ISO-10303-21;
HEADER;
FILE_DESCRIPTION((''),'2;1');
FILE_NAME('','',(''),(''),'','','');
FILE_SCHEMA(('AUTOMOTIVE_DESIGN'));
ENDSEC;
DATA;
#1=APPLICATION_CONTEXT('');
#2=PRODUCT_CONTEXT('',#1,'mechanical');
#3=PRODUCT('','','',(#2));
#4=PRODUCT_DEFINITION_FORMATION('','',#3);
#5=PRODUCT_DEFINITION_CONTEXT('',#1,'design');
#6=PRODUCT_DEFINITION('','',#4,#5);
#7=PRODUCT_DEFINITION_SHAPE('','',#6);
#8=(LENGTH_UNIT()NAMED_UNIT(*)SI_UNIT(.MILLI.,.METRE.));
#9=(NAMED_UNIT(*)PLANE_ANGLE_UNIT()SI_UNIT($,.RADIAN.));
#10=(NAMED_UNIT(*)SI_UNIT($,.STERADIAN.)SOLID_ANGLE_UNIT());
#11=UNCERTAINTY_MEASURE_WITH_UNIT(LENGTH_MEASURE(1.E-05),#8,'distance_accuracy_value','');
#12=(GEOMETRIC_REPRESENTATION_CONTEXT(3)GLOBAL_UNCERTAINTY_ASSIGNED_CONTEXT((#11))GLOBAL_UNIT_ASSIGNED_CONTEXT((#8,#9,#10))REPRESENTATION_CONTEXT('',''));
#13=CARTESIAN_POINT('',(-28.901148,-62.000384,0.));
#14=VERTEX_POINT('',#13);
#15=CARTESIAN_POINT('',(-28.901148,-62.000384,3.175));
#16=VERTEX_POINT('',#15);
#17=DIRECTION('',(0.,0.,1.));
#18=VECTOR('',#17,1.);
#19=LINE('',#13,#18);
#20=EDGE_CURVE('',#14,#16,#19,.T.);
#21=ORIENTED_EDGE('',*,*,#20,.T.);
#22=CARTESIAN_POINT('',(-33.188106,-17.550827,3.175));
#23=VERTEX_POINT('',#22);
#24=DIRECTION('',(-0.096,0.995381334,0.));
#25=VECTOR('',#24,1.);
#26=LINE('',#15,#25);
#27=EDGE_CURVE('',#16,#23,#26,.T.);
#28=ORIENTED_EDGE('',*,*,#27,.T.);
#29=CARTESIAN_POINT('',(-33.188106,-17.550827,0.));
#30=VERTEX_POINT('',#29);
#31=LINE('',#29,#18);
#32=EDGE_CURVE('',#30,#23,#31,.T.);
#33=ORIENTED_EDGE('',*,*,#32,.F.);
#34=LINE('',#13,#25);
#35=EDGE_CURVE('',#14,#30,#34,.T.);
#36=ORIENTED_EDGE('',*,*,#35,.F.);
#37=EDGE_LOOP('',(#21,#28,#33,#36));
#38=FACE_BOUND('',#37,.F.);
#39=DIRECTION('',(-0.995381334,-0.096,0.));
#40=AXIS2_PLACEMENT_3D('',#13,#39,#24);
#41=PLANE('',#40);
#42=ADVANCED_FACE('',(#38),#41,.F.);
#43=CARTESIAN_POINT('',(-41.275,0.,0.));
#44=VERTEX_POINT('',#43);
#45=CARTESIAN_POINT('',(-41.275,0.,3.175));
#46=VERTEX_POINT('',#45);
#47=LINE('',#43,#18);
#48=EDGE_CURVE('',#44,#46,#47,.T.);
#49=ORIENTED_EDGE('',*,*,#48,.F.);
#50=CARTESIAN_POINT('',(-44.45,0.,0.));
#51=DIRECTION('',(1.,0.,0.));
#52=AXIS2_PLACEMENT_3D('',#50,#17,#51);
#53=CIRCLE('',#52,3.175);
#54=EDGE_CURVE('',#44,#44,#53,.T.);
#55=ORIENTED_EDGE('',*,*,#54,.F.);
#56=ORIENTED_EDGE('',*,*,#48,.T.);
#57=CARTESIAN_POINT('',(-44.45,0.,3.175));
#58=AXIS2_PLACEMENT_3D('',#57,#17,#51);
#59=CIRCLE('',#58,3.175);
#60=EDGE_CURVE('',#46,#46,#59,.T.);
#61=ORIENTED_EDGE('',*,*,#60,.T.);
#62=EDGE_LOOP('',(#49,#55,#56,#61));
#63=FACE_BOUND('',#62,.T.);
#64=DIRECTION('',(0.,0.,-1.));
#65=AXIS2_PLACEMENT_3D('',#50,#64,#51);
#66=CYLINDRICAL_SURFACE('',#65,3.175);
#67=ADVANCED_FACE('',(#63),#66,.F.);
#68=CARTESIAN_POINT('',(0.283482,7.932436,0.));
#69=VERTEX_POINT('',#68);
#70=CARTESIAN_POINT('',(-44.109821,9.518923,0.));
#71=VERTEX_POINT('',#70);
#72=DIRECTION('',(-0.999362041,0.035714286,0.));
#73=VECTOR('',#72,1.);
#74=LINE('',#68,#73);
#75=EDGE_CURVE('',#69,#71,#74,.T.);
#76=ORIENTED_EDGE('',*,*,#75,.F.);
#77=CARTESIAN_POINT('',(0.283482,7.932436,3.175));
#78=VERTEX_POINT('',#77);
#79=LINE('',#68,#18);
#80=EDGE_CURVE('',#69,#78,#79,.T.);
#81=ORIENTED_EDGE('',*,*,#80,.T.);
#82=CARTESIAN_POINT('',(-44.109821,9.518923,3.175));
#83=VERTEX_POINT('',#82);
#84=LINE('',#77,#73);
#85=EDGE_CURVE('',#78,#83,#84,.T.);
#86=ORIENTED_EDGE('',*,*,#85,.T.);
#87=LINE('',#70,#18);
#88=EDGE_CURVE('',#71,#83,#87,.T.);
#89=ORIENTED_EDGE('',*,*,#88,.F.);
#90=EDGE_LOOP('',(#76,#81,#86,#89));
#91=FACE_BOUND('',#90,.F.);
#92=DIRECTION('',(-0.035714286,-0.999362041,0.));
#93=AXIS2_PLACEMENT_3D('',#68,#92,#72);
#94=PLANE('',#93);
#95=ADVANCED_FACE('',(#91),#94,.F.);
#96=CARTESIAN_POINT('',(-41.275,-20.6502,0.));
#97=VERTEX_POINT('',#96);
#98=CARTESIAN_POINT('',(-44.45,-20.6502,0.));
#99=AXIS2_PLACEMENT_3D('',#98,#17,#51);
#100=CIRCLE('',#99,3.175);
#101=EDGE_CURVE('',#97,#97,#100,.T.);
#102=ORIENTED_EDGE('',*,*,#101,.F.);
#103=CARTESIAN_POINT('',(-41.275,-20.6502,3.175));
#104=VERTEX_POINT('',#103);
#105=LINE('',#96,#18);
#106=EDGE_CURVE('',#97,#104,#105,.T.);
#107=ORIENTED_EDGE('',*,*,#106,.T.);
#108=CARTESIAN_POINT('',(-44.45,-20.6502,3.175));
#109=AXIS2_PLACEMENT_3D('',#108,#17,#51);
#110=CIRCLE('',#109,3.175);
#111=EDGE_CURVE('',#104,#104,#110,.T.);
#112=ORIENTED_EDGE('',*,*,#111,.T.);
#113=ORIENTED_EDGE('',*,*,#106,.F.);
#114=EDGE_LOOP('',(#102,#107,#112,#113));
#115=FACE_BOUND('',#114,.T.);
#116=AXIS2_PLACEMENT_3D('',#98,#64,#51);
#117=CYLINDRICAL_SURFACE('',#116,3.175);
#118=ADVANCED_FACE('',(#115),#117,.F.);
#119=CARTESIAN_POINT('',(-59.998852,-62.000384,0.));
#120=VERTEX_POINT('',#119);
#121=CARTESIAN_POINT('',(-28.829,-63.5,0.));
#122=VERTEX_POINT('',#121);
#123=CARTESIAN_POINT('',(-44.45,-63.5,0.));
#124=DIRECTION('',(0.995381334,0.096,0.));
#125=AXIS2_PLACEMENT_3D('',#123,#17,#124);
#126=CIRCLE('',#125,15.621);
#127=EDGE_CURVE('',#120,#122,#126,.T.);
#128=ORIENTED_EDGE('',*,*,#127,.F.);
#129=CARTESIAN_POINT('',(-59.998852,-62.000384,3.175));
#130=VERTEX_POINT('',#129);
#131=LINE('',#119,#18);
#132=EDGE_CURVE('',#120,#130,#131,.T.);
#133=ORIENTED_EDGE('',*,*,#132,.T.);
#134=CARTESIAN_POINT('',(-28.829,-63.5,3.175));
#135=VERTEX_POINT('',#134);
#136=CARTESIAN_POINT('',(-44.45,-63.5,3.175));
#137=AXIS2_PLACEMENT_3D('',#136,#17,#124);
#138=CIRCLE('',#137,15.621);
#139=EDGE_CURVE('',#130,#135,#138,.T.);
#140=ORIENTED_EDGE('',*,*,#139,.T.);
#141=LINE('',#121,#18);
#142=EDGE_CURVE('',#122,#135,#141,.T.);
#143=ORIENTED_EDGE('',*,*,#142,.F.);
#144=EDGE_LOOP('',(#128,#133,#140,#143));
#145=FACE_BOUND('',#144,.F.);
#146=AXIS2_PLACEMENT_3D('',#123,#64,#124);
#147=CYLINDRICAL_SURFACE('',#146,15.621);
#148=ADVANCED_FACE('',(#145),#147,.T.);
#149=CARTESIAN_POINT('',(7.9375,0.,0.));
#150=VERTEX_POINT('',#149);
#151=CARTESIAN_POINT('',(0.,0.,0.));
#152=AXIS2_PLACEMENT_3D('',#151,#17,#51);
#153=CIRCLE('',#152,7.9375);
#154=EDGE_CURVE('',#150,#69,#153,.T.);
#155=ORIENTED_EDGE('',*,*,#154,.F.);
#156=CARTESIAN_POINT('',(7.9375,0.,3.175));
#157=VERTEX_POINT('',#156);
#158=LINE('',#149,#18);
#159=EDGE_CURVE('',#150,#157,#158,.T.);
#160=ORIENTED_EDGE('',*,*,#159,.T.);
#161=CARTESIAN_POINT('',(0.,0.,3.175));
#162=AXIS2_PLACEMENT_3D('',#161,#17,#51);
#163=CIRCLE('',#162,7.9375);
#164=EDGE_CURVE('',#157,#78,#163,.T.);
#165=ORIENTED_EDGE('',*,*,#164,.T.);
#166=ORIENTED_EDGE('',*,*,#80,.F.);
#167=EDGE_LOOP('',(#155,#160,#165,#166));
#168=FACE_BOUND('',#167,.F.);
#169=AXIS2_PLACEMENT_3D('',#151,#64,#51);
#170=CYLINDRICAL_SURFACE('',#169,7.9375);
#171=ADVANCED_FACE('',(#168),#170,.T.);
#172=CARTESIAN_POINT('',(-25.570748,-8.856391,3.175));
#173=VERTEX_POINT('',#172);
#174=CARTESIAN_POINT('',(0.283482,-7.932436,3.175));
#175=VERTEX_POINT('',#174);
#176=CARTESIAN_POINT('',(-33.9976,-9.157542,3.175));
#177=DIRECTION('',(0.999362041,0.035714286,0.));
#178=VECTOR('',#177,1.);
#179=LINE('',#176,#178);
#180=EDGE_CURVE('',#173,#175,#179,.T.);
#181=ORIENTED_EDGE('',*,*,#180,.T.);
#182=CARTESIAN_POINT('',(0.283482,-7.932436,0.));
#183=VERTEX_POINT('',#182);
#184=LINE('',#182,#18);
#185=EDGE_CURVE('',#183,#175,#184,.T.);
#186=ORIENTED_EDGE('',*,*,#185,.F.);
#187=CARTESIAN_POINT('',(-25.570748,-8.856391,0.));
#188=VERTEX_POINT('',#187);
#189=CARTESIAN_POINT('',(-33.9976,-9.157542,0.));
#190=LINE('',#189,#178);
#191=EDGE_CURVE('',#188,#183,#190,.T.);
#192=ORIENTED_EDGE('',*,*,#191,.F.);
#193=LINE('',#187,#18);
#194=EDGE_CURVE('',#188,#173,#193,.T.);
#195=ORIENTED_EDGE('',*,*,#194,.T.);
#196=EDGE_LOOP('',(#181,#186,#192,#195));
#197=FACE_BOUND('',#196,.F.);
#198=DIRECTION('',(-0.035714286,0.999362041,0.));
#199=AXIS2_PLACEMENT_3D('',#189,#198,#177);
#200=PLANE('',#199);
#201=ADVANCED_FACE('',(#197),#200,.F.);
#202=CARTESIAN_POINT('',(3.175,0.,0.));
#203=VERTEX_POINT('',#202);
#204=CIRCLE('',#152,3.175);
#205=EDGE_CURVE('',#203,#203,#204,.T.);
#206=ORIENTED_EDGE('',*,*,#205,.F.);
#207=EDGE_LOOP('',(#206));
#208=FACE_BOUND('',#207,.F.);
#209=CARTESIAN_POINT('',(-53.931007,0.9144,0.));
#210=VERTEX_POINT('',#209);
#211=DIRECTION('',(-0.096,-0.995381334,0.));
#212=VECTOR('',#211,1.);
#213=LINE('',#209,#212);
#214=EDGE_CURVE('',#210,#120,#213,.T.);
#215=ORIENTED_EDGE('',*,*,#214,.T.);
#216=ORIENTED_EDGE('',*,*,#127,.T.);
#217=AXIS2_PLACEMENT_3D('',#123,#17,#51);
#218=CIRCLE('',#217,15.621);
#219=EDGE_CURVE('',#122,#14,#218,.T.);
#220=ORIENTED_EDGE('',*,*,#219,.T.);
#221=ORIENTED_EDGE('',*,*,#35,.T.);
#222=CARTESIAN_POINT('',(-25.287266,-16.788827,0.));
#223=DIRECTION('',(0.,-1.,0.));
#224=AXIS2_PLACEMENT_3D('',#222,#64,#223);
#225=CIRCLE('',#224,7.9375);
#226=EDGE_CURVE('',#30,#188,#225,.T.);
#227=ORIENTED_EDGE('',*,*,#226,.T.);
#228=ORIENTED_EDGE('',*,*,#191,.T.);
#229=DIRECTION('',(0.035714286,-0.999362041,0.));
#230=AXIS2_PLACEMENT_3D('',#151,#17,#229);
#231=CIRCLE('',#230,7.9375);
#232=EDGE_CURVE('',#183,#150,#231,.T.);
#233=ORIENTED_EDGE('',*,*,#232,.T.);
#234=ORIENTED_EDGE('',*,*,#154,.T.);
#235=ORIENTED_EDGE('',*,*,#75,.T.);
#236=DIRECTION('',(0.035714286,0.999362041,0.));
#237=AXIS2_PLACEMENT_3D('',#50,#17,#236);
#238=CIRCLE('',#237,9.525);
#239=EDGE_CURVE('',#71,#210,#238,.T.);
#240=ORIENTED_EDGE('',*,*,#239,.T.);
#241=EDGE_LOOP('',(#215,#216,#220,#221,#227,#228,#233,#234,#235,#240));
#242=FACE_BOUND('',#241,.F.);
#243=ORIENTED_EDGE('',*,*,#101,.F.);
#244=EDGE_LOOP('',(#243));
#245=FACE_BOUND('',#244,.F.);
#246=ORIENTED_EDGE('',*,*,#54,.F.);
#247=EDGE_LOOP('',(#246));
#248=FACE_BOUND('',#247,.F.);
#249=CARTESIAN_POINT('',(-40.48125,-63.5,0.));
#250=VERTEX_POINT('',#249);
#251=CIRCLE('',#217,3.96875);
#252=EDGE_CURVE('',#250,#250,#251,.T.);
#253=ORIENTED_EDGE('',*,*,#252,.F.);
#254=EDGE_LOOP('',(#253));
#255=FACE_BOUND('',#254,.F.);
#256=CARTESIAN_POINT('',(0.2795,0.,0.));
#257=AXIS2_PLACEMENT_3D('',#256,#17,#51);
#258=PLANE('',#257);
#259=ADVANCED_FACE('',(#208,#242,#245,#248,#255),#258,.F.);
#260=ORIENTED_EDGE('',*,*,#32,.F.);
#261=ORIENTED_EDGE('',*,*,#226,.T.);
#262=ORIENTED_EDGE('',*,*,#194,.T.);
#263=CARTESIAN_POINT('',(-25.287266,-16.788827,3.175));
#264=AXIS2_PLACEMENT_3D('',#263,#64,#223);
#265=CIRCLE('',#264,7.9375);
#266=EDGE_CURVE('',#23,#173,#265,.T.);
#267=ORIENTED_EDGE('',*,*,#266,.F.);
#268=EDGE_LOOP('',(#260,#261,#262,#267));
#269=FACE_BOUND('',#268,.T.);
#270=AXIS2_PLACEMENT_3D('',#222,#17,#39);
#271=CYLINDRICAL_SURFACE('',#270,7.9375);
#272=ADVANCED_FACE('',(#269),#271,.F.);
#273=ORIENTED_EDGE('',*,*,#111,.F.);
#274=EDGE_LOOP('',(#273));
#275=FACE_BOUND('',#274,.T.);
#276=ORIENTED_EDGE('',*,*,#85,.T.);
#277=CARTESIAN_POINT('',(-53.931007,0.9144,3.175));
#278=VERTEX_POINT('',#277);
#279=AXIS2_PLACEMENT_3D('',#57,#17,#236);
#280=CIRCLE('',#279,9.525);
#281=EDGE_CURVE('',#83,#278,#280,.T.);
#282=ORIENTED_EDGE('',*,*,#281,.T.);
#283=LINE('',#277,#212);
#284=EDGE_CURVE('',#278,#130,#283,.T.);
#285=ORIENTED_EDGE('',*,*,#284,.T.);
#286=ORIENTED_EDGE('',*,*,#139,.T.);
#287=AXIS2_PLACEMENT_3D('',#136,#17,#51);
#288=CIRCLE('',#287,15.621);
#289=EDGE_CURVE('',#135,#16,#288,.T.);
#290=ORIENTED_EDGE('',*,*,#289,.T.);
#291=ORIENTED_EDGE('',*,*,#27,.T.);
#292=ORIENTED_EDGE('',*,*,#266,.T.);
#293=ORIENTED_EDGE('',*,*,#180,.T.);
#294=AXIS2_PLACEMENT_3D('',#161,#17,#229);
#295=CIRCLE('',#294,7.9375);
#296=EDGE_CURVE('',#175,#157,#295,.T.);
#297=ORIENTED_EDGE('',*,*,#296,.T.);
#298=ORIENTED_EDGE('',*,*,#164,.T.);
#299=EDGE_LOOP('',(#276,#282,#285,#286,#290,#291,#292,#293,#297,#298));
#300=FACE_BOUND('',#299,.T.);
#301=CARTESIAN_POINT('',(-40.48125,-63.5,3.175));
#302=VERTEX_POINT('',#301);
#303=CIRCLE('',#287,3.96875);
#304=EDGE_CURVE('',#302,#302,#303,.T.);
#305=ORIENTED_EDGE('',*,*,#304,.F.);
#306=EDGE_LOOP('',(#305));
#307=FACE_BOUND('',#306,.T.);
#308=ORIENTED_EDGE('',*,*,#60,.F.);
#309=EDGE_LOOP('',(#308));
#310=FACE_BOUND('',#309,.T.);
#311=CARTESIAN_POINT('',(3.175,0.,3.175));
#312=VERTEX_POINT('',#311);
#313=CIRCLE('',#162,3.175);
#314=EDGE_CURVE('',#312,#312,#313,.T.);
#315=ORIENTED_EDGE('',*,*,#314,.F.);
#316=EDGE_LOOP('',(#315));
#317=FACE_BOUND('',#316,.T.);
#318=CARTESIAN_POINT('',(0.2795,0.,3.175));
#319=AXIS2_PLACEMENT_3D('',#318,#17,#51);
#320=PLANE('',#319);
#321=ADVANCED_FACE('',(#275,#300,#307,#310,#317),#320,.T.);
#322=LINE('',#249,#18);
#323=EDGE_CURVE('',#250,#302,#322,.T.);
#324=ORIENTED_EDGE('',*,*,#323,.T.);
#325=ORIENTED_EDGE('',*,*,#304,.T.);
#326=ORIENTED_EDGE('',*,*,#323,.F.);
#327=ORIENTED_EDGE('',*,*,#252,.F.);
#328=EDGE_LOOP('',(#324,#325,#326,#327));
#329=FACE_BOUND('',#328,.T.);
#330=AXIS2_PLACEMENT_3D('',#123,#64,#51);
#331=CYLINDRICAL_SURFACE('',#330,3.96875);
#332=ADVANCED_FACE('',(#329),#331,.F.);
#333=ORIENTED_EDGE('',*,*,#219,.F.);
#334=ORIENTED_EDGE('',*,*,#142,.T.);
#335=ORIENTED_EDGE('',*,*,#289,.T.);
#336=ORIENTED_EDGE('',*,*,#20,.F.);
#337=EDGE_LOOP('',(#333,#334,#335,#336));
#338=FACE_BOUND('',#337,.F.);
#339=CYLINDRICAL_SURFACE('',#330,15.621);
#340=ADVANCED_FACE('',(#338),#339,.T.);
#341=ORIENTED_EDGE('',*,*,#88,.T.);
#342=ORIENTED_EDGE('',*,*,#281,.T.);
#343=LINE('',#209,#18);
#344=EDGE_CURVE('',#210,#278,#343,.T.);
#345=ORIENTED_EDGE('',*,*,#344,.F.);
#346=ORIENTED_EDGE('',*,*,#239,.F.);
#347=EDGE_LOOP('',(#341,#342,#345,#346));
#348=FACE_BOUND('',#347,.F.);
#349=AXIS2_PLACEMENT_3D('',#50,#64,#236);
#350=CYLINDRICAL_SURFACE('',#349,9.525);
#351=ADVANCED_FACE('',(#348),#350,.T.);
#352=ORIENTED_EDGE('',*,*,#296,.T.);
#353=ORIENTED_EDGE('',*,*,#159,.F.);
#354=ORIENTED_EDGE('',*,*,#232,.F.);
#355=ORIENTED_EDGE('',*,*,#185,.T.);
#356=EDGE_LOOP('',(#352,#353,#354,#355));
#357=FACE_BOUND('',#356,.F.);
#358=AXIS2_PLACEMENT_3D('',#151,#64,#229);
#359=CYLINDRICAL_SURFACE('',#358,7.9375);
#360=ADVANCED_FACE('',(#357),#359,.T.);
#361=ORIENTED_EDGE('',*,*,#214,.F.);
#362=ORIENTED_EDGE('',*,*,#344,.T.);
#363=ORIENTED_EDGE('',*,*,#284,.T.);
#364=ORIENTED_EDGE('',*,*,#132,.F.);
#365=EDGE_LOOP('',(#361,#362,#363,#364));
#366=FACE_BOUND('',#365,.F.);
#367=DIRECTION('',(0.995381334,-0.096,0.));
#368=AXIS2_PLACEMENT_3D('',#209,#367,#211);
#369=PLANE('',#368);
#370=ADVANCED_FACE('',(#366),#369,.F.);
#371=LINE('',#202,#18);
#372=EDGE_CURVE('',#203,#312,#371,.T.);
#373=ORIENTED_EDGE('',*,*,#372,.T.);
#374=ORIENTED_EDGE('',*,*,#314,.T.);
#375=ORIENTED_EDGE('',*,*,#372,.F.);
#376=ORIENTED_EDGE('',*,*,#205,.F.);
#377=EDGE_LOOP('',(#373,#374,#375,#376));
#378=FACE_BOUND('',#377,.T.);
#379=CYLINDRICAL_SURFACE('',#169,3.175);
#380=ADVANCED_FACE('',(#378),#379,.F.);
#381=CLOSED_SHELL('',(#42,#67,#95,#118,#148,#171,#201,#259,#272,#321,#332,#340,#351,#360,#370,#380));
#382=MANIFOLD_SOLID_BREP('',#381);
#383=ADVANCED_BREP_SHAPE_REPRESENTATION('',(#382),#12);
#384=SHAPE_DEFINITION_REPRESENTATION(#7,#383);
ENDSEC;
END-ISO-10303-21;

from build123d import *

# Parameters (mm, degrees)
F0_R     = 3.175
F0_R_2   = 3.96875
F1_DEPTH = 3.175
F2_R     = 7.9375


with BuildPart() as f1:
    # F0 (on Top) → F1 (new body)
    with BuildSketch(Plane.XY):
        with BuildLine():
            ThreePointArc((0.2834821429, -7.9324362036), (5.7120069047, -5.5115227815), (7.9375, 0))
            ThreePointArc((7.9375, 0), (5.7120069047, 5.5115227815), (0.2834821429, 7.9324362036))
            ThreePointArc((0.2834821429, 7.9324362036), (-7.9375, 0), (0.2834821429, -7.9324362036))
        make_face()
        Circle(F0_R, mode=Mode.SUBTRACT)
        with BuildLine():
            ThreePointArc((0.2834821429, -7.9324362036), (-7.9375, 0), (0.2834821429, 7.9324362036))
            Line((0.2834821429, 7.9324362036), (-44.1098214286, 9.5189234444))
            ThreePointArc((-44.1098214286, 9.5189234444), (-37.9213417577, 6.9355783144), (-34.968992794, 0.9144))
            Line((-34.968992794, 0.9144), (-33.9975998101, -9.157542126))
            Line((-33.9975998101, -9.157542126), (0.2834821429, -7.9324362036))
        make_face()
        with BuildLine():
            ThreePointArc((-34.968992794, 0.9144), (-37.9213417577, 6.9355783144), (-44.1098214286, 9.5189234444))
            ThreePointArc((-44.1098214286, 9.5189234444), (-50.7267940031, 7.1643200684), (-53.931007206, 0.9144))
            ThreePointArc((-53.931007206, 0.9144), (-51.3855783284, -6.5286582275), (-44.1098214693, -9.5189234458))
            ThreePointArc((-44.1098214693, -9.5189234458), (-37.5955917285, -6.6138273524), (-34.925, 0))
            ThreePointArc((-34.925, 0), (-34.9360045555, 0.4577288296), (-34.968992794, 0.9144))
        make_face()
        with Locations((-44.45, 0)):
            Circle(F0_R, mode=Mode.SUBTRACT)
        with BuildLine():
            Line((-28.9011481822, -62.000384), (-33.9975998101, -9.157542126))
            Line((-33.9975998101, -9.157542126), (-44.1098214693, -9.5189234458))
            ThreePointArc((-44.1098214693, -9.5189234458), (-51.3855783284, -6.5286582275), (-53.931007206, 0.9144))
            Line((-53.931007206, 0.9144), (-59.9988518178, -62.000384))
            ThreePointArc((-59.9988518178, -62.000384), (-44.45, -47.879), (-28.9011481822, -62.000384))
        make_face()
        with Locations((-44.45, -20.6502)):
            Circle(F0_R, mode=Mode.SUBTRACT)
        with BuildLine():
            Line((-44.1098214693, -9.5189234458), (-33.9975998101, -9.157542126))
            Line((-33.9975998101, -9.157542126), (-34.968992794, 0.9144))
            ThreePointArc((-34.968992794, 0.9144), (-34.9360045555, 0.4577288296), (-34.925, 0))
            ThreePointArc((-34.925, 0), (-37.5955917285, -6.6138273524), (-44.1098214693, -9.5189234458))
        make_face()
        with BuildLine():
            ThreePointArc((-28.829, -63.5), (-28.847047471, -62.7493247194), (-28.9011481822, -62.000384))
            ThreePointArc((-28.9011481822, -62.000384), (-44.45, -47.879), (-59.9988518178, -62.000384))
            ThreePointArc((-59.9988518178, -62.000384), (-45.2006752806, -79.102952529), (-28.829, -63.5))
        make_face()
        with Locations((-44.45, -63.5)):
            Circle(F0_R_2, mode=Mode.SUBTRACT)
    extrude(amount=F1_DEPTH)

    # F2
    f2_edges = [f1.edges().sort_by_distance(p)[0] for p in [
        (-33.9976, -9.157542, 1.5875),
    ]]
    fillet(f2_edges, radius=F2_R)


solid = f1.part
